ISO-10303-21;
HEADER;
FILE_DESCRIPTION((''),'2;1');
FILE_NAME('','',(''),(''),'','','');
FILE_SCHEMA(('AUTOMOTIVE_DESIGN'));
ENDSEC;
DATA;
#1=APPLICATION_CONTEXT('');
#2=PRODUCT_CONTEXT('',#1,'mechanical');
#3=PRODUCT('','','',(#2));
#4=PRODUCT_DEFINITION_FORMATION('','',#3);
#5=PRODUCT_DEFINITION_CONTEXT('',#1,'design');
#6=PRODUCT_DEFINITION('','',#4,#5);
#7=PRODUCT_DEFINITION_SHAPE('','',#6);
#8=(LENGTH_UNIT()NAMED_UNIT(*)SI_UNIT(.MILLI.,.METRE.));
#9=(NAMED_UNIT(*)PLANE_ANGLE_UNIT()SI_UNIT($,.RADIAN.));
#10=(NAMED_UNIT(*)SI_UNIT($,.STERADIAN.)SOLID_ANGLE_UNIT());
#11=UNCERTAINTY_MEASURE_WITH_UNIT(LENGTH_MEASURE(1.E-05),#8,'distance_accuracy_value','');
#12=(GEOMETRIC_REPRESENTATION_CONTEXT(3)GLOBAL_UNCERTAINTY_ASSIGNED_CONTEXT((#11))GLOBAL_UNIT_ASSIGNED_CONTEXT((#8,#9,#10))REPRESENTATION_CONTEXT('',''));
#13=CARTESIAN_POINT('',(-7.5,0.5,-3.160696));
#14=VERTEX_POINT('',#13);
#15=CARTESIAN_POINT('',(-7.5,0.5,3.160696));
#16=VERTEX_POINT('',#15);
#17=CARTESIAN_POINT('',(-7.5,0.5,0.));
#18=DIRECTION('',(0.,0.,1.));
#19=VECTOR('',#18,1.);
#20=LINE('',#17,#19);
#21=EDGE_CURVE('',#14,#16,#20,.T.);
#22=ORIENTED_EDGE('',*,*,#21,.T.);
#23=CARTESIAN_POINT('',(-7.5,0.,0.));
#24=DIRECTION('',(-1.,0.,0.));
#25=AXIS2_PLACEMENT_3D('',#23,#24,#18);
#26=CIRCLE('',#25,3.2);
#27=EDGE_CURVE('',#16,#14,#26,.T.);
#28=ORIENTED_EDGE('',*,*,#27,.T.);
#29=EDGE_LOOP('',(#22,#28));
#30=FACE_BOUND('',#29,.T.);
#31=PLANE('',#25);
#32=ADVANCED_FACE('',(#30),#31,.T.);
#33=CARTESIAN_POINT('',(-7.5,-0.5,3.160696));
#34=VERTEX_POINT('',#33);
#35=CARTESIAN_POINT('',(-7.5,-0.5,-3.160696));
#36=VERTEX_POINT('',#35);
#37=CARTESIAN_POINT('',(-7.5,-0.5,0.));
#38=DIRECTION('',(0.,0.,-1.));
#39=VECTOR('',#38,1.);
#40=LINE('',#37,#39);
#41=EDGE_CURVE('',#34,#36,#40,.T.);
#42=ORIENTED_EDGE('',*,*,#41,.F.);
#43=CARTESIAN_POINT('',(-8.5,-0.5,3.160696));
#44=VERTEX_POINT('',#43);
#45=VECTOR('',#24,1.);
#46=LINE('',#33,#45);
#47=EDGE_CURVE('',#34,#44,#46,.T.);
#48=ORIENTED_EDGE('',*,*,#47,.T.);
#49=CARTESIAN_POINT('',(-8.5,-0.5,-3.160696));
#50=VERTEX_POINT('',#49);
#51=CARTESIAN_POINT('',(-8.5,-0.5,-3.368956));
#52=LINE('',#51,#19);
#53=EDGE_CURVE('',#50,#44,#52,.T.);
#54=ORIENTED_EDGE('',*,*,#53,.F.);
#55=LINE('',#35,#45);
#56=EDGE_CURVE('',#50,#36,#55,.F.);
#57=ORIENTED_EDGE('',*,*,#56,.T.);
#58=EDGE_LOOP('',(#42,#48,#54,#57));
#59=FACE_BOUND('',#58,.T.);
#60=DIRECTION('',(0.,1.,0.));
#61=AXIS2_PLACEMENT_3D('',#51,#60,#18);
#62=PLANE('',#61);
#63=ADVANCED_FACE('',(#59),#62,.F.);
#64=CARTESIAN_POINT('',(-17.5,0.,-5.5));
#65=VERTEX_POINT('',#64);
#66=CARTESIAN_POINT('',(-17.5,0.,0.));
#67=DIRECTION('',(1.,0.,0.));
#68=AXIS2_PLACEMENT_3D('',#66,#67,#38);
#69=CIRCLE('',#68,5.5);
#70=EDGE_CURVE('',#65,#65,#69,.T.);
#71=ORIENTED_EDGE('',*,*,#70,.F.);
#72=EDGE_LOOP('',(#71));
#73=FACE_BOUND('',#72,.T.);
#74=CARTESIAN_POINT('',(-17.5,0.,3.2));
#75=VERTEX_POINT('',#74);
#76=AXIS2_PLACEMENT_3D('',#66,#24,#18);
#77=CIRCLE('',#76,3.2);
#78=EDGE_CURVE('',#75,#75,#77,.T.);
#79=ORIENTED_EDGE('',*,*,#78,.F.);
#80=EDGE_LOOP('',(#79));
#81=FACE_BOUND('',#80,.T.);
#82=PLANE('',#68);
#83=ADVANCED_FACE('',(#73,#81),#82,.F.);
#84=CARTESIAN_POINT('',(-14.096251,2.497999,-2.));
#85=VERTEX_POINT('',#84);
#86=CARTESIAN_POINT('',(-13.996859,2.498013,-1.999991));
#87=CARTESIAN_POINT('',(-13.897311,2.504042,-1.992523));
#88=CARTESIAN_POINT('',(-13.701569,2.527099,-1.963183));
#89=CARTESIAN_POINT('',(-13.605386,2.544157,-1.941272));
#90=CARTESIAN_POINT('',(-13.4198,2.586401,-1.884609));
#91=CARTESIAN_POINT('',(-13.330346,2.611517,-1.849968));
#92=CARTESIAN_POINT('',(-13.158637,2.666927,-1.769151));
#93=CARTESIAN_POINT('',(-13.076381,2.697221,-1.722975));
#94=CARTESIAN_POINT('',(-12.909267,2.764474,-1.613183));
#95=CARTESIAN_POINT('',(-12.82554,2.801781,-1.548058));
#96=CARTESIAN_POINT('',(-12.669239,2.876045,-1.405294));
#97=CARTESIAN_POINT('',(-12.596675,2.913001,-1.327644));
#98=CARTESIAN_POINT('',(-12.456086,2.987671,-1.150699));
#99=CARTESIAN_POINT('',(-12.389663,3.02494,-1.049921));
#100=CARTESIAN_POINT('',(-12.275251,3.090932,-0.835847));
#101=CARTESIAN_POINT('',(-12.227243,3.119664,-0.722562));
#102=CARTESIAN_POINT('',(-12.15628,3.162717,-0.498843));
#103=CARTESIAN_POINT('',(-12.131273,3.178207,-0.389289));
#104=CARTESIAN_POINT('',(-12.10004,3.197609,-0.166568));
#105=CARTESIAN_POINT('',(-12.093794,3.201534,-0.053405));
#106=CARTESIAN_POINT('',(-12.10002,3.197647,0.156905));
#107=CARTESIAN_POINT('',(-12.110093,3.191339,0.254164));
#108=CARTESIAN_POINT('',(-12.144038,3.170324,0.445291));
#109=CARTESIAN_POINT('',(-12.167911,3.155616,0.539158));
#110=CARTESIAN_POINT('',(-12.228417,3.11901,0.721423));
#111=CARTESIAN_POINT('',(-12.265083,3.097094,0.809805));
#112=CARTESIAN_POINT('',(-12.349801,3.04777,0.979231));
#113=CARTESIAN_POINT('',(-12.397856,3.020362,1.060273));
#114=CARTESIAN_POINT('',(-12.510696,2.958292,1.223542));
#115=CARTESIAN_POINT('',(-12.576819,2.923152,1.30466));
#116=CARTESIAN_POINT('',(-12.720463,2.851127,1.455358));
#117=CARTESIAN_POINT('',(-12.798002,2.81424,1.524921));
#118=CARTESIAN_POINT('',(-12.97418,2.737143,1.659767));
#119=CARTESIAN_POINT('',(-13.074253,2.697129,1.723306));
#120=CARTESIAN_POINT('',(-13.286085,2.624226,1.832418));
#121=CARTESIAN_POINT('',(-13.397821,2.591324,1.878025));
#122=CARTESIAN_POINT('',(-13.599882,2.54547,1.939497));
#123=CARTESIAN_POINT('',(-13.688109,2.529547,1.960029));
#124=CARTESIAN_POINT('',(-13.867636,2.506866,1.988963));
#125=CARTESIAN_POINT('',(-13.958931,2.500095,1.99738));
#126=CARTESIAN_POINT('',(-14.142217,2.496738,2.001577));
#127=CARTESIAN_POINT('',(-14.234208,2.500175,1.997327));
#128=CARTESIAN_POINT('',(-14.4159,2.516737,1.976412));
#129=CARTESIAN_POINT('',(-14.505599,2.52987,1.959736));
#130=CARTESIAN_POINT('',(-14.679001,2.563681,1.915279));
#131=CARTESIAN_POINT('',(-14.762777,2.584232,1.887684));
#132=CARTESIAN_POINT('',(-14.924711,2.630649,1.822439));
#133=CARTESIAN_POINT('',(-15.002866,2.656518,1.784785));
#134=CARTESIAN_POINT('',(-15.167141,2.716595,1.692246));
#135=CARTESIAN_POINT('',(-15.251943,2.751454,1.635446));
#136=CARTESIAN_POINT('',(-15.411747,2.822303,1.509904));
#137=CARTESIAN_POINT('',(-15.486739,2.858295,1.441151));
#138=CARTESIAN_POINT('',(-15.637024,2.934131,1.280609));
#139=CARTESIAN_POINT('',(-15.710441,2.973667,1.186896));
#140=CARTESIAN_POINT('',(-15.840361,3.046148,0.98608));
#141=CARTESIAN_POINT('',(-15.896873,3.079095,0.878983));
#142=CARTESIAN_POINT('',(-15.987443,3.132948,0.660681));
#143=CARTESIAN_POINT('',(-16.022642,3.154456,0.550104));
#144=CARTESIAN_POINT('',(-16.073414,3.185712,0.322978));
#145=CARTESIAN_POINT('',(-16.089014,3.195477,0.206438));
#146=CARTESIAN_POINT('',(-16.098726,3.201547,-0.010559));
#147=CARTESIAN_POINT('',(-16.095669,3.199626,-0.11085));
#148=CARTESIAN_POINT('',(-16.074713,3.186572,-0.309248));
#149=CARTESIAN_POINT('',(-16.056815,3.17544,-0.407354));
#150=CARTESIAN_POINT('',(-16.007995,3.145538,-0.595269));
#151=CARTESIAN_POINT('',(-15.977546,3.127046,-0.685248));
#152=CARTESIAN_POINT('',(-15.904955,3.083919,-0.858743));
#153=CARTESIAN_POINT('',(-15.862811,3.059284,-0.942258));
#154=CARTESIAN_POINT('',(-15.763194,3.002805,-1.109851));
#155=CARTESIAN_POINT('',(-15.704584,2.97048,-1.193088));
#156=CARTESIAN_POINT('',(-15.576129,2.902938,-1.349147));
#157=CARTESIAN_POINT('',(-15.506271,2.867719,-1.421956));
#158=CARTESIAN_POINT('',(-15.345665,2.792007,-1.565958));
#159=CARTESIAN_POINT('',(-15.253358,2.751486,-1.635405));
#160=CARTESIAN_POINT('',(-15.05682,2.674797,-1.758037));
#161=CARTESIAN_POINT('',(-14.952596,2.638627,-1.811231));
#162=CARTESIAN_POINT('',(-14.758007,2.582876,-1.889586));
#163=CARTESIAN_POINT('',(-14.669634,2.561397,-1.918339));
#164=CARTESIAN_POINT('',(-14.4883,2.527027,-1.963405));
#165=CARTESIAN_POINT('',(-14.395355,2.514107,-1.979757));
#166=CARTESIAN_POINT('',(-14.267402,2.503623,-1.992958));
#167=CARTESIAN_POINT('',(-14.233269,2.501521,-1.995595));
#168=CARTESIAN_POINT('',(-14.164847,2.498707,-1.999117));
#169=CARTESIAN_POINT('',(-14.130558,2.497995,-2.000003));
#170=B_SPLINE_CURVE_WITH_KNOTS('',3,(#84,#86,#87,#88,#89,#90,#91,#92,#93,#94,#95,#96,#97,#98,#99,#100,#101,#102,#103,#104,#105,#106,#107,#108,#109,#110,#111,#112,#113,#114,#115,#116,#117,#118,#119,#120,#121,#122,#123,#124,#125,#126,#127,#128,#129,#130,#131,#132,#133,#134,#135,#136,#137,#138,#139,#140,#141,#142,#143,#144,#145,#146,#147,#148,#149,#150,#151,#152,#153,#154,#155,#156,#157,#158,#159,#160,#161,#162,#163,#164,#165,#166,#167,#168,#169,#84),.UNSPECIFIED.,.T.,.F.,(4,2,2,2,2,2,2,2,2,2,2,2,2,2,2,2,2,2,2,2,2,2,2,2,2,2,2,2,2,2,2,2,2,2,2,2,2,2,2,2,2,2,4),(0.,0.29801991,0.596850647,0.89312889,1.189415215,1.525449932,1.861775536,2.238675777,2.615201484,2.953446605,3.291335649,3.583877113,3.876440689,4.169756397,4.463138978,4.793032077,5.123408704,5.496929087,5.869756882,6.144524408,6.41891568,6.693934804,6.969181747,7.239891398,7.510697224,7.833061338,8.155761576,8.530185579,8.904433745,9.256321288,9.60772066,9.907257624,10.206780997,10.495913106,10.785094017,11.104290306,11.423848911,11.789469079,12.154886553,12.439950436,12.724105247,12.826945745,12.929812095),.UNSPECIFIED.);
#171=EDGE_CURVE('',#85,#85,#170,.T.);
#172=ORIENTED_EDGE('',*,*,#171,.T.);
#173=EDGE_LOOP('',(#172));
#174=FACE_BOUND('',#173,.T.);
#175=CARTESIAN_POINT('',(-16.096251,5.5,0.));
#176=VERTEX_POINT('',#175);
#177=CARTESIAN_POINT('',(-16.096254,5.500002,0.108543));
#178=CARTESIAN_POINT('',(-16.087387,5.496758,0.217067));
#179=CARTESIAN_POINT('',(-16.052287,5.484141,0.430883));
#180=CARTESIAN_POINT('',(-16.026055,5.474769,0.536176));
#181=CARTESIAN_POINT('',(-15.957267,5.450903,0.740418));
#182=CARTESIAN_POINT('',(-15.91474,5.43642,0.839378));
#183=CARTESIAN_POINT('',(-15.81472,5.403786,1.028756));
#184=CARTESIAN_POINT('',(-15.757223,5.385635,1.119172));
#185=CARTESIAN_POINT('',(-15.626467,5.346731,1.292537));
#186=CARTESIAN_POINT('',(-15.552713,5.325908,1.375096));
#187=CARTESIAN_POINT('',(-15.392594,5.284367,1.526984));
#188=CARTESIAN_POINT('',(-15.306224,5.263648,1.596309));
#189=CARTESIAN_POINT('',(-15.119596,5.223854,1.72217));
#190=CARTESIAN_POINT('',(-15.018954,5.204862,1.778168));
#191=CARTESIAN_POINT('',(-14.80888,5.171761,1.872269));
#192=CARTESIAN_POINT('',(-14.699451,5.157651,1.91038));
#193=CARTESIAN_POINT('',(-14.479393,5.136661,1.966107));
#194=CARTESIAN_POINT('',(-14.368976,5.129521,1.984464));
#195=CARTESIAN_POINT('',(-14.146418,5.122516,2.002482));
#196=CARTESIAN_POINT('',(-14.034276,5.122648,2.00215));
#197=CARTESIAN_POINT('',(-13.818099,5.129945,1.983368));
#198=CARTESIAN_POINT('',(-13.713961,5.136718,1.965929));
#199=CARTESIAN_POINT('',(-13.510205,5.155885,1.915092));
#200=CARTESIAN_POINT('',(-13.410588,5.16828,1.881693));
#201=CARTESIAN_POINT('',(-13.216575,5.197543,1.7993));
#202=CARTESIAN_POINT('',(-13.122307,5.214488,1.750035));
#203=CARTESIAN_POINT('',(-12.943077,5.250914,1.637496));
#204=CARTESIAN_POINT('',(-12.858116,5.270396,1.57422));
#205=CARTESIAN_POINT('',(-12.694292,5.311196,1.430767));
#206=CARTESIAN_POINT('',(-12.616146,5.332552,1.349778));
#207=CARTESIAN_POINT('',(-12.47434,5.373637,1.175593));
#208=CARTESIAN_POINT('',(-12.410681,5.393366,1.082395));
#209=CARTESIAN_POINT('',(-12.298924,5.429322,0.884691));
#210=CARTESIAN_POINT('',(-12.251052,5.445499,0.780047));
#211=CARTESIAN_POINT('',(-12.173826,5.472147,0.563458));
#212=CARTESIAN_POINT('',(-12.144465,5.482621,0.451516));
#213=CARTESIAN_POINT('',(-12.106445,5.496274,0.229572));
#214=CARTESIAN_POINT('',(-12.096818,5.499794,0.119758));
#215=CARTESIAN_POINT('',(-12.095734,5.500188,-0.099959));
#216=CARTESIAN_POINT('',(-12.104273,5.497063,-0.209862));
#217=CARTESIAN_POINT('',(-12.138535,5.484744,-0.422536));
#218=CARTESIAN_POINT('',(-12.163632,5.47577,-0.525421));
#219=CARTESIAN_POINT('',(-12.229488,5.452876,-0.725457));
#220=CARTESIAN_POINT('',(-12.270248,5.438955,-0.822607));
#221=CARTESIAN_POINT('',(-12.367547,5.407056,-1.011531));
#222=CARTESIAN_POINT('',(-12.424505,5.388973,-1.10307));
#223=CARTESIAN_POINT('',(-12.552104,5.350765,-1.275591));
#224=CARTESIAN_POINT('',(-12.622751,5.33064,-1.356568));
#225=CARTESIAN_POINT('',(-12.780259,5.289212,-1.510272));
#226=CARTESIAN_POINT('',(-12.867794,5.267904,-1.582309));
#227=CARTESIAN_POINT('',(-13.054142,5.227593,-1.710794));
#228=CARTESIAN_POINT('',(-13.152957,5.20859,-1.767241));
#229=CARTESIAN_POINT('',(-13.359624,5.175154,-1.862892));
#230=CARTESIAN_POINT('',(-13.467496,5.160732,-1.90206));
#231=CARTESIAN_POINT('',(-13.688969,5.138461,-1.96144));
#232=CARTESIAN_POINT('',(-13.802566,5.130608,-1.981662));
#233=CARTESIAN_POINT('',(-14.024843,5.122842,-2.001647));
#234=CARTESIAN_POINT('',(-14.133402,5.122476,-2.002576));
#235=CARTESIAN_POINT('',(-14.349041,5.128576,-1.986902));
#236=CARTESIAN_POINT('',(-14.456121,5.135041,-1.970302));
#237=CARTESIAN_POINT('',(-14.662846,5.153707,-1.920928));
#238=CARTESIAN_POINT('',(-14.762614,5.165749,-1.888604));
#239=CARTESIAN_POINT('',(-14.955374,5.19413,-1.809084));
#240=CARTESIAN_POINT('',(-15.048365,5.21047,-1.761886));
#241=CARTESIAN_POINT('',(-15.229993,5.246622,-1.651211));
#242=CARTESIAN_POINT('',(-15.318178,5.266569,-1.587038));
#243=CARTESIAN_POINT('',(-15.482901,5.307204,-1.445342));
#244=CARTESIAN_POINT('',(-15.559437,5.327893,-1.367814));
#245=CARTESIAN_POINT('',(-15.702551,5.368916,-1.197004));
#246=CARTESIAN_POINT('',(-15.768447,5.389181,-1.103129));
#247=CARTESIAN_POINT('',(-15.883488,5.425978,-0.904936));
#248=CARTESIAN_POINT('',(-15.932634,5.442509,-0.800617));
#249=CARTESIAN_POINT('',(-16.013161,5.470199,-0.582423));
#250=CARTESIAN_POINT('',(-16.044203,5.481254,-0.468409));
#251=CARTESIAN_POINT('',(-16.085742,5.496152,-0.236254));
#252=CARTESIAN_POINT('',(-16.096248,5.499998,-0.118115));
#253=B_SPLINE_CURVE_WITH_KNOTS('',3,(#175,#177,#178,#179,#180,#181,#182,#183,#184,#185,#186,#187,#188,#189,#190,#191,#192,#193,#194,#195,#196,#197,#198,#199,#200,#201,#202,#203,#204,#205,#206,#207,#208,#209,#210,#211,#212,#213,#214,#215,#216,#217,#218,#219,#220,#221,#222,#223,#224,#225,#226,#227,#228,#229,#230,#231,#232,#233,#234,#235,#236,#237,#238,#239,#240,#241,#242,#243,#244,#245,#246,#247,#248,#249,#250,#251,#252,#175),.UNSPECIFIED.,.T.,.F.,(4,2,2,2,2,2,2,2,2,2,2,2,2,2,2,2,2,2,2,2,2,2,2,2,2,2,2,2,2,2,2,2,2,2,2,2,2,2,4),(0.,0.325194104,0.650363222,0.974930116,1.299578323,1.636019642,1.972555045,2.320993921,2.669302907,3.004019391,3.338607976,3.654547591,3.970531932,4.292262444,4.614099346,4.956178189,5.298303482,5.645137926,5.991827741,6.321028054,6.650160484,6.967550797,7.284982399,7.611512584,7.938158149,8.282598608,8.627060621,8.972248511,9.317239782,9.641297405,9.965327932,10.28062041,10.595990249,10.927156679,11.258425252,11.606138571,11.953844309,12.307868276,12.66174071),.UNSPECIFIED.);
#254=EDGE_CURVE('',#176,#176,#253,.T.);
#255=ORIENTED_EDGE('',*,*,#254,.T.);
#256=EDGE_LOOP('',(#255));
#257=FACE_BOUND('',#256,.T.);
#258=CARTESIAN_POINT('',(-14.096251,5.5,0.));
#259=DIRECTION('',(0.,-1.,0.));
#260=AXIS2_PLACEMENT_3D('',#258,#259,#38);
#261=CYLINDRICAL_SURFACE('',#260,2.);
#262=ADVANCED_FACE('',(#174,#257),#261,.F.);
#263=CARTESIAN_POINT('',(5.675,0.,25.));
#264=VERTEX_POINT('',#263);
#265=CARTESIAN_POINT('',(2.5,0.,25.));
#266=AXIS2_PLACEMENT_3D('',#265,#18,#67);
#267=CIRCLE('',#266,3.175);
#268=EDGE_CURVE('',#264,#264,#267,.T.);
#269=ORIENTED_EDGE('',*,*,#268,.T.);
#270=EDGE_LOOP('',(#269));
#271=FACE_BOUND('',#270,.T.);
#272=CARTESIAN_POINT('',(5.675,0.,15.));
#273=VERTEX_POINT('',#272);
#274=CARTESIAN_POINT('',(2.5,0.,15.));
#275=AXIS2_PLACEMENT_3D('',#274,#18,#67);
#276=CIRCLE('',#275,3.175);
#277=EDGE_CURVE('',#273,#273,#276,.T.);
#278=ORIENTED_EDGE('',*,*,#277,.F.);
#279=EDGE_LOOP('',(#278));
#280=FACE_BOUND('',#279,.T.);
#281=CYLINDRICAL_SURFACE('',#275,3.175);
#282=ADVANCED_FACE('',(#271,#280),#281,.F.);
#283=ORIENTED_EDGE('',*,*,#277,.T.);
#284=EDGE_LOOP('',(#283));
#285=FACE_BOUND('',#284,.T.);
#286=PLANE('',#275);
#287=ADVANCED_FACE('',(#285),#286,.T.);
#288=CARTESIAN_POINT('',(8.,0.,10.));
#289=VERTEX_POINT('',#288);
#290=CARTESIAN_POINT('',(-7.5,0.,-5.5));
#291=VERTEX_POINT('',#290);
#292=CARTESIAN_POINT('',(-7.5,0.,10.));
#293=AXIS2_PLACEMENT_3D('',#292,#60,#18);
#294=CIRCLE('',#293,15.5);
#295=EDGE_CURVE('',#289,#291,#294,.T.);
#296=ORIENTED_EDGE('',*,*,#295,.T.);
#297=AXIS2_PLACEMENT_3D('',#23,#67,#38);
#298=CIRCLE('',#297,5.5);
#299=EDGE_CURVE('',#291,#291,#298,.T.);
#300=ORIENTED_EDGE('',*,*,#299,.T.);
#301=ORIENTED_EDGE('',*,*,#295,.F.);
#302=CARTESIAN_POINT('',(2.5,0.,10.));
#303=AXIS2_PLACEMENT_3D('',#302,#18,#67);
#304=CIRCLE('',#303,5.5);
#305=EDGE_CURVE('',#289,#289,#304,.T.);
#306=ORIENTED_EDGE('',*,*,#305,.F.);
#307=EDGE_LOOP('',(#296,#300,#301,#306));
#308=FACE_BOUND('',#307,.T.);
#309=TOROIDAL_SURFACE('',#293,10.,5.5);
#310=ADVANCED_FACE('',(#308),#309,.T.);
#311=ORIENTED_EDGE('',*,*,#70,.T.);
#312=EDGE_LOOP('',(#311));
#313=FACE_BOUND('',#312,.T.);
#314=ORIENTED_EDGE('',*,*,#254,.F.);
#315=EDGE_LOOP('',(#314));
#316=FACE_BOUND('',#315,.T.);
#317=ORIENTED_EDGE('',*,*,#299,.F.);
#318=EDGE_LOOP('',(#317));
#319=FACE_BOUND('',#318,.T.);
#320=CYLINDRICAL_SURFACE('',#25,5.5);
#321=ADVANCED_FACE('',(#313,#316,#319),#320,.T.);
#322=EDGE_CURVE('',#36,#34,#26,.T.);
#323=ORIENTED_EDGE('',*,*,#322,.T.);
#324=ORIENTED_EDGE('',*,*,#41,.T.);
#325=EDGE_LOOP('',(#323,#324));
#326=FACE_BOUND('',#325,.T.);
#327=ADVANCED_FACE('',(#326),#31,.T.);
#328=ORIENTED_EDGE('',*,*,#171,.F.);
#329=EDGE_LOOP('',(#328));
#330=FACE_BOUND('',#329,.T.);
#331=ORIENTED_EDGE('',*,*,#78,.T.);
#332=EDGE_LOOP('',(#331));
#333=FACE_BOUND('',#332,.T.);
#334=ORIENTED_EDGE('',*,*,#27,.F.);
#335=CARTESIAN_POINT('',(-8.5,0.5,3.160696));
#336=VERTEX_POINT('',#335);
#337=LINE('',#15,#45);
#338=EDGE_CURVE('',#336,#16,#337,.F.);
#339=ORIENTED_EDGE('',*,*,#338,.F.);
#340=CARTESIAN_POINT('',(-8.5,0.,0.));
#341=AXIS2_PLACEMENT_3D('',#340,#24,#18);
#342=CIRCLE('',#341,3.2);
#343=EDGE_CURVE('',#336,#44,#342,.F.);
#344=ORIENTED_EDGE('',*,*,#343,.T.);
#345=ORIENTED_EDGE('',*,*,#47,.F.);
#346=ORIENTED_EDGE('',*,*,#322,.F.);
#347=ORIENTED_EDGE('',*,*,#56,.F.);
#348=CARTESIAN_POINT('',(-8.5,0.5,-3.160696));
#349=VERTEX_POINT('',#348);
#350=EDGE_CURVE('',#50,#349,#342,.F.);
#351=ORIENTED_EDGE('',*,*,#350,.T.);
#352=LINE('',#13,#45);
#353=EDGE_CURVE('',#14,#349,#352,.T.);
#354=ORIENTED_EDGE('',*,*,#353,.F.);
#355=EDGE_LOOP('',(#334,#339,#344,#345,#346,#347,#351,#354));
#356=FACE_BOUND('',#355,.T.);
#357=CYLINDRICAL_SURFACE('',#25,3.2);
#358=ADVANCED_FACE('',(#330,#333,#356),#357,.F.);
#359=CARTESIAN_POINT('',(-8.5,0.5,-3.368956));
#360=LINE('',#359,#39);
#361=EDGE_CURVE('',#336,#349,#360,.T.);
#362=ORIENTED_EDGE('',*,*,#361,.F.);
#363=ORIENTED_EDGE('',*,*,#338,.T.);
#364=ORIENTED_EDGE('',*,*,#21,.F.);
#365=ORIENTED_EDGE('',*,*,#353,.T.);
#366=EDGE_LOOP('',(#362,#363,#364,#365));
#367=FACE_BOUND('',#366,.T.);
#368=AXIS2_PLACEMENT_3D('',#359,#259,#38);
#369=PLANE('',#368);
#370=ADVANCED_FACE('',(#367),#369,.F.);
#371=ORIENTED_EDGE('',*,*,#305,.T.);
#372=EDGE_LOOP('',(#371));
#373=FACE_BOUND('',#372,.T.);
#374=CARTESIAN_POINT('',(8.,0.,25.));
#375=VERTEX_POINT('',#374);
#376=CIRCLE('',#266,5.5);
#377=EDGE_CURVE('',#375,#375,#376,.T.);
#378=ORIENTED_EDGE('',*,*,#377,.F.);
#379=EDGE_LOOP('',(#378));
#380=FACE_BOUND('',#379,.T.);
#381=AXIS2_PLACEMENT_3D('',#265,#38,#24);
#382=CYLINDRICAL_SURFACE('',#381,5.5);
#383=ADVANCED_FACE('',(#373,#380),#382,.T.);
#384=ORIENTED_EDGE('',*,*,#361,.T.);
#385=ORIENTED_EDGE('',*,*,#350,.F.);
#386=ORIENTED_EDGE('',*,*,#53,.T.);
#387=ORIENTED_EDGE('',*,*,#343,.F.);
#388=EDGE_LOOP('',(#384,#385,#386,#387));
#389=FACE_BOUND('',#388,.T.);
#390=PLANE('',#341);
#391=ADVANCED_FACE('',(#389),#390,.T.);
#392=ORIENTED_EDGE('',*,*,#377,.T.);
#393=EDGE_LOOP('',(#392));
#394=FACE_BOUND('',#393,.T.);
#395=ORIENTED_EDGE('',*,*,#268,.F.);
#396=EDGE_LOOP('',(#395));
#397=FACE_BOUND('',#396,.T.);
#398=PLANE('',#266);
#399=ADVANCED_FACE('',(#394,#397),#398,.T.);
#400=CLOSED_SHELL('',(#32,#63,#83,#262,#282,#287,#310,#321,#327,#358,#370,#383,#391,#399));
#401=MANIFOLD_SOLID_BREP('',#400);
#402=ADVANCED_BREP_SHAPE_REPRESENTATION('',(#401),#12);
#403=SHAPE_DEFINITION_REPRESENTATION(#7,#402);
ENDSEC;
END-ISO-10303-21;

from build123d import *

# Parameters (mm, degrees)
SKETCH4_R           = 5.5
SKETCH6_R           = 3.175
HOLE_SHAFT_DEPTH    = 10
SKETCH7_R           = 3.2
HOLE_POT_DEPTH      = 10
SKETCH8_R           = 2
CUT_EXTRUDE3_DEPTH  = 6.5000001
SKETCH11_W          = 6.737911532
SKETCH11_H          = 1
BOSS_EXTRUDE2_DEPTH = 1


with BuildPart() as part:
    # Sweep2: sweep along a path in PROFILE
    with BuildLine(Plane(origin=(0, 0, 0), x_dir=(1, 0, 0), z_dir=(0, 1, 0))) as sweep2_path:
        Line((2.5, -25), (2.5, -10))
        ThreePointArc((2.5, -10), (-0.428932188, -2.928932188), (-7.5, 0))
        Line((-7.5, 0), (-17.5, 0))
    # Sketch4 → Sweep2 (sweep)
    with BuildSketch(Plane.XY.offset(25)):
        with Locations((2.5, 0)):
            Circle(SKETCH4_R)
    sweep(path=sweep2_path.line)

    # Sketch6 → HOLE_SHAFT (cut)
    with BuildSketch(Plane.XY.offset(25)):
        with Locations((2.5, 0)):
            Circle(SKETCH6_R)
    extrude(amount=-HOLE_SHAFT_DEPTH, mode=Mode.SUBTRACT)

    # Sketch7 → HOLE_POT (cut)
    with BuildSketch(Plane.ZY.offset(17.5)):
        Circle(SKETCH7_R)
    extrude(amount=-HOLE_POT_DEPTH, mode=Mode.SUBTRACT)

    # Sketch8 → Cut-Extrude3 (cut, through all)
    with BuildSketch(Plane(origin=(0, 0, 0), x_dir=(1, 0, 0), z_dir=(0, 1, 0))):
        with Locations((-14.096251262, 0)):
            Circle(SKETCH8_R)
    extrude(amount=CUT_EXTRUDE3_DEPTH, mode=Mode.SUBTRACT)

    # Sketch11 → Boss-Extrude2 (add)
    with BuildSketch(Plane.ZY.offset(7.5)):
        Rectangle(SKETCH11_W, SKETCH11_H)
    extrude(amount=BOSS_EXTRUDE2_DEPTH)


solid = part.part
